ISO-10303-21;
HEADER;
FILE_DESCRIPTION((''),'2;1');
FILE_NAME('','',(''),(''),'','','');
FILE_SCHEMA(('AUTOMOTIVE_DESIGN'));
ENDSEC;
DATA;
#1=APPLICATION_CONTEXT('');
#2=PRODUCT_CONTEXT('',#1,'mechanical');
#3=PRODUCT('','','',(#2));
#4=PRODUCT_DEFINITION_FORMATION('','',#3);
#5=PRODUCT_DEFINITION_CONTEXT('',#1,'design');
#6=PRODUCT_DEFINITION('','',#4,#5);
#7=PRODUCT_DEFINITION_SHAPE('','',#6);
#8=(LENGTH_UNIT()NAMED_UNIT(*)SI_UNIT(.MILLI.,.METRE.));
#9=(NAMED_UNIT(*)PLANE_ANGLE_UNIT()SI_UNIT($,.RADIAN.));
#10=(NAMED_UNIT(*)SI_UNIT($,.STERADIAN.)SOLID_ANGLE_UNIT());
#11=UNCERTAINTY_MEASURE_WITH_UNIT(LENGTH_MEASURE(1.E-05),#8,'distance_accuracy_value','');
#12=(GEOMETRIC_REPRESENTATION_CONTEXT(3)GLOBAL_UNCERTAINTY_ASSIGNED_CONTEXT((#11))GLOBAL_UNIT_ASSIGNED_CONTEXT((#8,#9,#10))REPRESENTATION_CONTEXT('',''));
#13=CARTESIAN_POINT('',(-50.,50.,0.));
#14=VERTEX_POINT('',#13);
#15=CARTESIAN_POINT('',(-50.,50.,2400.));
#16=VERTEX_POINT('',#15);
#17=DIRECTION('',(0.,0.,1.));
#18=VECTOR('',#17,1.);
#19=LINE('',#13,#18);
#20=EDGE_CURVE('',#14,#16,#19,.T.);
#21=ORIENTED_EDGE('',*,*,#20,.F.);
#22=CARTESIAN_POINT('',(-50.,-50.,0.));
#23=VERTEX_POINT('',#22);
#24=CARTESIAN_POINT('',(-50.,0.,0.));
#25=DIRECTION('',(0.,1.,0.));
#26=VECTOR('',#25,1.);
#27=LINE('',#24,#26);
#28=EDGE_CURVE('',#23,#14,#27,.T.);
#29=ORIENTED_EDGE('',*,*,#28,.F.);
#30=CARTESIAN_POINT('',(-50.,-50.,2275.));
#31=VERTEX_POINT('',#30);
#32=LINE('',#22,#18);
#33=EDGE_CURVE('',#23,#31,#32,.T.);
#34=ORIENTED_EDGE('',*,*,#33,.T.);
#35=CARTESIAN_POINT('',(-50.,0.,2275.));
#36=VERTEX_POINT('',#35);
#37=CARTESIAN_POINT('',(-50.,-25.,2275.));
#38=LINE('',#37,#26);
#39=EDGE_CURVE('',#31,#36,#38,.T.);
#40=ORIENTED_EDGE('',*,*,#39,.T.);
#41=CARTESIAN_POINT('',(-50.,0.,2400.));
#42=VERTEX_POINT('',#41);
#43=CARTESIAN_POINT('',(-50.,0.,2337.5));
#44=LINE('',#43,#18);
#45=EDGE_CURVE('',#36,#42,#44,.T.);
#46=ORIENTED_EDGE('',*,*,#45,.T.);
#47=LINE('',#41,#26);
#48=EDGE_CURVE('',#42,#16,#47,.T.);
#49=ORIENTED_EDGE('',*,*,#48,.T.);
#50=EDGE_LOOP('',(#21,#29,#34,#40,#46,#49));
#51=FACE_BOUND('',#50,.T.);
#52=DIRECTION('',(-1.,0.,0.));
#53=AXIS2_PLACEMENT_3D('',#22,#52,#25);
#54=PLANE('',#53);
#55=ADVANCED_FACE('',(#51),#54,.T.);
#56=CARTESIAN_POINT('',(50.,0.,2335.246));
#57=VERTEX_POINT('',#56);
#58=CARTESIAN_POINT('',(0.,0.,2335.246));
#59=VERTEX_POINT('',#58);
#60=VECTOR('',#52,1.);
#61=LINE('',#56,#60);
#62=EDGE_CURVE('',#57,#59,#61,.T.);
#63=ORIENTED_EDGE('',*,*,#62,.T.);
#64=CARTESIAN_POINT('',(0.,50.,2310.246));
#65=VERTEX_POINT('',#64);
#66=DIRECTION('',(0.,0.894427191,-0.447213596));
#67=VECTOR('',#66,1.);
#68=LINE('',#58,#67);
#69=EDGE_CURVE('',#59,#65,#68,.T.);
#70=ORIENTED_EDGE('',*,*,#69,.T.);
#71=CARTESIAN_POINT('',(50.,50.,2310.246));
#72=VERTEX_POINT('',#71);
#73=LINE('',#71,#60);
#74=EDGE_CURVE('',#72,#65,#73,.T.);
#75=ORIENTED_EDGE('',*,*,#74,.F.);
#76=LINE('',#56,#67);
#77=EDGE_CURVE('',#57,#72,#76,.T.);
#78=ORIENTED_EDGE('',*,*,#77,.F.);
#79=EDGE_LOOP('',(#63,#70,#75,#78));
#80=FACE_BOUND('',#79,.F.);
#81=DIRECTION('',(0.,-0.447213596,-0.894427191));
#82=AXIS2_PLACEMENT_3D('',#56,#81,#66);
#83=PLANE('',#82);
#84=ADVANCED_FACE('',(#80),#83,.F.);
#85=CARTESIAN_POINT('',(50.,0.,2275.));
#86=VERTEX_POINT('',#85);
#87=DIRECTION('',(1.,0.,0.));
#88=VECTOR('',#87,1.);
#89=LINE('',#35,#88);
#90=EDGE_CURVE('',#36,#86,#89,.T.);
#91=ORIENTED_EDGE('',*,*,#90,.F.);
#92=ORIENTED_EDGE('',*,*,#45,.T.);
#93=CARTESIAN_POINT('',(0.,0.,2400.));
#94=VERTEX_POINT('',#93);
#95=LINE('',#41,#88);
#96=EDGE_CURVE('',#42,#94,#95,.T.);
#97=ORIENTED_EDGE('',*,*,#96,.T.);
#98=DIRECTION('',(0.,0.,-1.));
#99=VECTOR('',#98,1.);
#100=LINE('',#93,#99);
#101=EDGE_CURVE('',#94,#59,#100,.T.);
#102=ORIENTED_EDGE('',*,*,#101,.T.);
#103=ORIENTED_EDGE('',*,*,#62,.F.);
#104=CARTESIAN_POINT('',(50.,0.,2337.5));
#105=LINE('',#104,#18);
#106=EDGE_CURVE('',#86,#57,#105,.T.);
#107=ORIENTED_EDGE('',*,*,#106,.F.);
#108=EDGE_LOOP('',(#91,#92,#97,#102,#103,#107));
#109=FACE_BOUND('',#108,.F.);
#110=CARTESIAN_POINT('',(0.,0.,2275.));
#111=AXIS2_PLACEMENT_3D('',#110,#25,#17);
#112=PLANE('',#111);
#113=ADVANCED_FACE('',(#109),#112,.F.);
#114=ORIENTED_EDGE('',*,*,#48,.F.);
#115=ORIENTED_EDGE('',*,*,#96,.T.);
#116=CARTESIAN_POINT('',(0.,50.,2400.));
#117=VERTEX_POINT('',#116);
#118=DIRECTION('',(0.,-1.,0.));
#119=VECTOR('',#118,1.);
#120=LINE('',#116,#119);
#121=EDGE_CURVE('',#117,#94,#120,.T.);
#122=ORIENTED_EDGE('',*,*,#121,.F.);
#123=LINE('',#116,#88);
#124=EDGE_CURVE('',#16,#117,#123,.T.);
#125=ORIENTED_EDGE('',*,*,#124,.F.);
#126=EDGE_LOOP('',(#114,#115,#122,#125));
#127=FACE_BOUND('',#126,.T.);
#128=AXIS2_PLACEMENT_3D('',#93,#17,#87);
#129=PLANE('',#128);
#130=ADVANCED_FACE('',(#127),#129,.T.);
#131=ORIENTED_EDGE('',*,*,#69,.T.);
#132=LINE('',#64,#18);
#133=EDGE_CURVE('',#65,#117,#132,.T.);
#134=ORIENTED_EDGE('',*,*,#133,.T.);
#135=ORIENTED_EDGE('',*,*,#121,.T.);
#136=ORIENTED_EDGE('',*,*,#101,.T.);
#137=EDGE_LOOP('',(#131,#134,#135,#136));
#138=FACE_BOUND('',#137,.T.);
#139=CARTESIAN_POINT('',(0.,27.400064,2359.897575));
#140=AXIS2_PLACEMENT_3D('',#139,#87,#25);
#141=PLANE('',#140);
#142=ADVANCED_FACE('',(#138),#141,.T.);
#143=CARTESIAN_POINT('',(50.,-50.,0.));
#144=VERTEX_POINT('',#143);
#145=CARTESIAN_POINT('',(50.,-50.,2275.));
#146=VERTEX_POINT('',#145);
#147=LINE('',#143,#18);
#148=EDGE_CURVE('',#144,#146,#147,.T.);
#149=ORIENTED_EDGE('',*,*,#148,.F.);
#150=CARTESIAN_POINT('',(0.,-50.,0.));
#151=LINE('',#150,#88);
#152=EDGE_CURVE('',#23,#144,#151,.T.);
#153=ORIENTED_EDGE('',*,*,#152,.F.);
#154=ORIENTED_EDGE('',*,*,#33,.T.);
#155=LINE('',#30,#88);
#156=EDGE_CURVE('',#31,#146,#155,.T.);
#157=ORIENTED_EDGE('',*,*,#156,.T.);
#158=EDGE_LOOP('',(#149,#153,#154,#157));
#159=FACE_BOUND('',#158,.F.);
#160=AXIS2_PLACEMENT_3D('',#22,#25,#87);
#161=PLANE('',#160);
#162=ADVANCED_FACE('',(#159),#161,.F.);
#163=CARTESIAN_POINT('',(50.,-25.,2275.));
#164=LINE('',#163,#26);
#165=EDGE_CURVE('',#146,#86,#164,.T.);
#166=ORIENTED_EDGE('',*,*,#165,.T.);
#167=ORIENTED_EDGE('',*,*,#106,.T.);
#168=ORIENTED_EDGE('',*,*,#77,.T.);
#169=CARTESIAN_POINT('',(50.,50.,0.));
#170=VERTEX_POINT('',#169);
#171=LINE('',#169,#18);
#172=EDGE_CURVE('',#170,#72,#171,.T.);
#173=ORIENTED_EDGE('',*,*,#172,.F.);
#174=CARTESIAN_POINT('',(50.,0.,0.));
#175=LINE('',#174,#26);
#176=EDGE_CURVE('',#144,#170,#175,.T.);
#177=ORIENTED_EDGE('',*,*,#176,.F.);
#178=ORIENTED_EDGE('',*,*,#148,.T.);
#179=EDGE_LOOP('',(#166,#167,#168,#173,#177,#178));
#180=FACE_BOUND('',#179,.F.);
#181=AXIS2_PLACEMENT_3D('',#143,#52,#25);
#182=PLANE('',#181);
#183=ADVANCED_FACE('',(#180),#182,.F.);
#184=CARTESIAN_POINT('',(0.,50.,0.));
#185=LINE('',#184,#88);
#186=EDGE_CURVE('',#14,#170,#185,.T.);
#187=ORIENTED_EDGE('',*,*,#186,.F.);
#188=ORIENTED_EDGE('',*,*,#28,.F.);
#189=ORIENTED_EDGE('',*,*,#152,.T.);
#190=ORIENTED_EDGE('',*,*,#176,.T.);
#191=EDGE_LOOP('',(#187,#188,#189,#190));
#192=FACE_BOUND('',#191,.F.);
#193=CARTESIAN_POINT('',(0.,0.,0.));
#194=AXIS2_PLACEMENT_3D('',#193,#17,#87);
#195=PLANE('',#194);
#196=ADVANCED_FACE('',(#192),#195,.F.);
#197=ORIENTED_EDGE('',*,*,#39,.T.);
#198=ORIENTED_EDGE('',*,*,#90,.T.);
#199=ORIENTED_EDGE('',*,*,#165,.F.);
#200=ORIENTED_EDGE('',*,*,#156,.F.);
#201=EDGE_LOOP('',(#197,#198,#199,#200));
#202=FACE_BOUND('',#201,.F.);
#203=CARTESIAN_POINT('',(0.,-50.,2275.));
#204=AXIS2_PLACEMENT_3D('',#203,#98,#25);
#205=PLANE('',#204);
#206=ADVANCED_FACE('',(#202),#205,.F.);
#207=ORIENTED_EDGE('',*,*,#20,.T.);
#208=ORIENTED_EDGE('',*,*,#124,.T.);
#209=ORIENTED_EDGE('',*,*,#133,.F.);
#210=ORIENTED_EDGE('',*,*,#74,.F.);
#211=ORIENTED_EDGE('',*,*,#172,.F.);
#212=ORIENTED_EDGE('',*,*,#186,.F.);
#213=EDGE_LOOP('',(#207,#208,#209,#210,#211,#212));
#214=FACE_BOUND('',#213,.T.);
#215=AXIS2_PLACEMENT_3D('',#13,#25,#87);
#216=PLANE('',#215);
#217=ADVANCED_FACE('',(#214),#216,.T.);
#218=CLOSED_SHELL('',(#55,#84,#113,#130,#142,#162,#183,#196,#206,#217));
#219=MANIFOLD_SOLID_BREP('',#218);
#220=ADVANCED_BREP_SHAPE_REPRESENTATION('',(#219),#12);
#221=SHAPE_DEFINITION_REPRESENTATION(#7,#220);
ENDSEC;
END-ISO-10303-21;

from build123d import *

# Parameters (mm, degrees)
F0_W          = 100
F0_H          = 100
F1_DEPTH      = 2400
F2_W          = 50
F2_H          = 125
F3_DEPTH      = 50
F3_DEPTH_BACK = 50
F5_DEPTH      = 50


with BuildPart() as f1:
    # F0 (on Top) → F1 (new body)
    with BuildSketch(Plane.XY):
        Rectangle(F0_W, F0_H)
    extrude(amount=F1_DEPTH)

    # F2 (on Right) → F3 (cut, two sides)
    with BuildSketch(Plane.YZ) as f3_sk:
        with Locations((-25, 2337.5)):
            Rectangle(F2_W, F2_H)
    extrude(amount=-F3_DEPTH, mode=Mode.SUBTRACT)
    extrude(f3_sk.sketch, amount=F3_DEPTH_BACK, mode=Mode.SUBTRACT)

    # F4 (on face) → F5 (cut)
    with BuildSketch(Plane.YZ.offset(50)):
        Polygon((50, 2310.246), (50, 2400), (0, 2400), (0, 2335.246), align=None)
    extrude(amount=-F5_DEPTH, mode=Mode.SUBTRACT)


solid = f1.part
